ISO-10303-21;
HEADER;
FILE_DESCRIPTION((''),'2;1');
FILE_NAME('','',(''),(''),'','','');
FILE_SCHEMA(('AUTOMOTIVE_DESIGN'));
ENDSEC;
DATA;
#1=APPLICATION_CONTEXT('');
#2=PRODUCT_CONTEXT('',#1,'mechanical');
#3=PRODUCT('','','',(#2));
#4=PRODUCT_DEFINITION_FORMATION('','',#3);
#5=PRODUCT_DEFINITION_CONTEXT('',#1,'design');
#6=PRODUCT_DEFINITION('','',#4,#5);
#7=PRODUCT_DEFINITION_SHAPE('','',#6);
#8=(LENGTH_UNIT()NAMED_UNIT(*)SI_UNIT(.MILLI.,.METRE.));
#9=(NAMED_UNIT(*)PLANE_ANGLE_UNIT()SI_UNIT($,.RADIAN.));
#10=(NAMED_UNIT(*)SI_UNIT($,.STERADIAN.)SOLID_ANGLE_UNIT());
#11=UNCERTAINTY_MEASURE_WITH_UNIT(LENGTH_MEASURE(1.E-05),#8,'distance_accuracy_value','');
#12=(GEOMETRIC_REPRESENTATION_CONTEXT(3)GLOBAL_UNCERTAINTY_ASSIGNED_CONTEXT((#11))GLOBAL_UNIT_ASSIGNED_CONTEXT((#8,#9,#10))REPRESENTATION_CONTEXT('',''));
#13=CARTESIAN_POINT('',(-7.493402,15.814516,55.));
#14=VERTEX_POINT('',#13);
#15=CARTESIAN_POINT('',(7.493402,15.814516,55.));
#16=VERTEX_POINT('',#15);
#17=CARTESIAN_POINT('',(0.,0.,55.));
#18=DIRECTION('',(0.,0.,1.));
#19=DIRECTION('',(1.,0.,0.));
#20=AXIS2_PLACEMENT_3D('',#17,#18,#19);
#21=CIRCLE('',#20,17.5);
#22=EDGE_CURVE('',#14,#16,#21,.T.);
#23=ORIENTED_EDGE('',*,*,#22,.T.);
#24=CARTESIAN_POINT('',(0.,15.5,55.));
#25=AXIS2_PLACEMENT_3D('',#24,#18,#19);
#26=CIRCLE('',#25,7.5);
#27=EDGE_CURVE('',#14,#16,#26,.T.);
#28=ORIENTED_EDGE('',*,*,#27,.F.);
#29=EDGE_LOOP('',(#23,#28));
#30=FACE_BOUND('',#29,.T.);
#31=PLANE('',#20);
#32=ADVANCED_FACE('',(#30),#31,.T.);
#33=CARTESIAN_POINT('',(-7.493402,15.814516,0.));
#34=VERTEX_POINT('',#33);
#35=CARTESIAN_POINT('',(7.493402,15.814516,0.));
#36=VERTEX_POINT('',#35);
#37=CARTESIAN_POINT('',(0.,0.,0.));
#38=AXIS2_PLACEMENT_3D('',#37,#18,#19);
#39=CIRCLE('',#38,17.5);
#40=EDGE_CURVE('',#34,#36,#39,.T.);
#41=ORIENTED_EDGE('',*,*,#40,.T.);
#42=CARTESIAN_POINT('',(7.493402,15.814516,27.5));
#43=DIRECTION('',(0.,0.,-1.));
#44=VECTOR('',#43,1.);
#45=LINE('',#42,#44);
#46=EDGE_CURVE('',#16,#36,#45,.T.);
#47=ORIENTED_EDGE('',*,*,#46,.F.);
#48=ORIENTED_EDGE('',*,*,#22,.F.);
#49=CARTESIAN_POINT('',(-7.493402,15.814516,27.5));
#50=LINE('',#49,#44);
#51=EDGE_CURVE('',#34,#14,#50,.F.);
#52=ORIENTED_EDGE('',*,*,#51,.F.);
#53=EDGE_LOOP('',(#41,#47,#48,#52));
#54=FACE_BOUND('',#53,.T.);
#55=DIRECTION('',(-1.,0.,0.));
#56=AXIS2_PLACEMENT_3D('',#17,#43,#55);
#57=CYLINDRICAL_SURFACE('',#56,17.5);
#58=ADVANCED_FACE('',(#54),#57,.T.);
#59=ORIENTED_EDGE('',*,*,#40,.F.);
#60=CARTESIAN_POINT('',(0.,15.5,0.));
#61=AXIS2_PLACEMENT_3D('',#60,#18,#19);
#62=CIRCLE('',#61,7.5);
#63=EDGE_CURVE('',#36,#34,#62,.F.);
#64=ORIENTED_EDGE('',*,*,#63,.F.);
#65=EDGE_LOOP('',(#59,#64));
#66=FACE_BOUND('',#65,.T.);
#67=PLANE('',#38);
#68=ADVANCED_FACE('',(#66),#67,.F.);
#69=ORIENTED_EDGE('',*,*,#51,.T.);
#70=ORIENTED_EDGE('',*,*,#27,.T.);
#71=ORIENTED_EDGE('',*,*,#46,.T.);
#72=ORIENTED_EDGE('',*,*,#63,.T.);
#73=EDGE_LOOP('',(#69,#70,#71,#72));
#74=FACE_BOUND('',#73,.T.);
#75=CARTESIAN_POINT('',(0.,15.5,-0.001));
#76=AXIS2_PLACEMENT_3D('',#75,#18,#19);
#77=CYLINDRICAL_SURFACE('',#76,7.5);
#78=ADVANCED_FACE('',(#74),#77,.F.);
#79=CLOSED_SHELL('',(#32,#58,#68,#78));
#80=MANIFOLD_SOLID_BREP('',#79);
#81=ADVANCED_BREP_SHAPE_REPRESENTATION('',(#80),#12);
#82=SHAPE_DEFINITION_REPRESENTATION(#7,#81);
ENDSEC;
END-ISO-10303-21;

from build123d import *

# Parameters (mm, degrees)
ESQUISSE3_R      = 17.5
EXTRUSION2_DEPTH = 55
EXTRUSION4_REACH = 62.312
ESQUISSE4_R      = 7.5


with BuildPart() as part:
    # Esquisse3 → Extrusion2 (new body)
    with BuildSketch(Plane.XY):
        Circle(ESQUISSE3_R)
    extrude(amount=EXTRUSION2_DEPTH)

    # Esquisse4 → Extrusion4 (cut, up to next)
    with BuildSketch(Plane.XY.offset(55), mode=Mode.PRIVATE) as extrusion4_sk1:
        with Locations((0, 15.5)):
            Circle(ESQUISSE4_R)
    extrusion4_tool1 = extrude(extrusion4_sk1.sketch, amount=-EXTRUSION4_REACH, mode=Mode.PRIVATE) & part.part
    add(extrusion4_tool1.solids().sort_by_distance((0, 15.5, 55))[0], mode=Mode.SUBTRACT)


solid = part.part
